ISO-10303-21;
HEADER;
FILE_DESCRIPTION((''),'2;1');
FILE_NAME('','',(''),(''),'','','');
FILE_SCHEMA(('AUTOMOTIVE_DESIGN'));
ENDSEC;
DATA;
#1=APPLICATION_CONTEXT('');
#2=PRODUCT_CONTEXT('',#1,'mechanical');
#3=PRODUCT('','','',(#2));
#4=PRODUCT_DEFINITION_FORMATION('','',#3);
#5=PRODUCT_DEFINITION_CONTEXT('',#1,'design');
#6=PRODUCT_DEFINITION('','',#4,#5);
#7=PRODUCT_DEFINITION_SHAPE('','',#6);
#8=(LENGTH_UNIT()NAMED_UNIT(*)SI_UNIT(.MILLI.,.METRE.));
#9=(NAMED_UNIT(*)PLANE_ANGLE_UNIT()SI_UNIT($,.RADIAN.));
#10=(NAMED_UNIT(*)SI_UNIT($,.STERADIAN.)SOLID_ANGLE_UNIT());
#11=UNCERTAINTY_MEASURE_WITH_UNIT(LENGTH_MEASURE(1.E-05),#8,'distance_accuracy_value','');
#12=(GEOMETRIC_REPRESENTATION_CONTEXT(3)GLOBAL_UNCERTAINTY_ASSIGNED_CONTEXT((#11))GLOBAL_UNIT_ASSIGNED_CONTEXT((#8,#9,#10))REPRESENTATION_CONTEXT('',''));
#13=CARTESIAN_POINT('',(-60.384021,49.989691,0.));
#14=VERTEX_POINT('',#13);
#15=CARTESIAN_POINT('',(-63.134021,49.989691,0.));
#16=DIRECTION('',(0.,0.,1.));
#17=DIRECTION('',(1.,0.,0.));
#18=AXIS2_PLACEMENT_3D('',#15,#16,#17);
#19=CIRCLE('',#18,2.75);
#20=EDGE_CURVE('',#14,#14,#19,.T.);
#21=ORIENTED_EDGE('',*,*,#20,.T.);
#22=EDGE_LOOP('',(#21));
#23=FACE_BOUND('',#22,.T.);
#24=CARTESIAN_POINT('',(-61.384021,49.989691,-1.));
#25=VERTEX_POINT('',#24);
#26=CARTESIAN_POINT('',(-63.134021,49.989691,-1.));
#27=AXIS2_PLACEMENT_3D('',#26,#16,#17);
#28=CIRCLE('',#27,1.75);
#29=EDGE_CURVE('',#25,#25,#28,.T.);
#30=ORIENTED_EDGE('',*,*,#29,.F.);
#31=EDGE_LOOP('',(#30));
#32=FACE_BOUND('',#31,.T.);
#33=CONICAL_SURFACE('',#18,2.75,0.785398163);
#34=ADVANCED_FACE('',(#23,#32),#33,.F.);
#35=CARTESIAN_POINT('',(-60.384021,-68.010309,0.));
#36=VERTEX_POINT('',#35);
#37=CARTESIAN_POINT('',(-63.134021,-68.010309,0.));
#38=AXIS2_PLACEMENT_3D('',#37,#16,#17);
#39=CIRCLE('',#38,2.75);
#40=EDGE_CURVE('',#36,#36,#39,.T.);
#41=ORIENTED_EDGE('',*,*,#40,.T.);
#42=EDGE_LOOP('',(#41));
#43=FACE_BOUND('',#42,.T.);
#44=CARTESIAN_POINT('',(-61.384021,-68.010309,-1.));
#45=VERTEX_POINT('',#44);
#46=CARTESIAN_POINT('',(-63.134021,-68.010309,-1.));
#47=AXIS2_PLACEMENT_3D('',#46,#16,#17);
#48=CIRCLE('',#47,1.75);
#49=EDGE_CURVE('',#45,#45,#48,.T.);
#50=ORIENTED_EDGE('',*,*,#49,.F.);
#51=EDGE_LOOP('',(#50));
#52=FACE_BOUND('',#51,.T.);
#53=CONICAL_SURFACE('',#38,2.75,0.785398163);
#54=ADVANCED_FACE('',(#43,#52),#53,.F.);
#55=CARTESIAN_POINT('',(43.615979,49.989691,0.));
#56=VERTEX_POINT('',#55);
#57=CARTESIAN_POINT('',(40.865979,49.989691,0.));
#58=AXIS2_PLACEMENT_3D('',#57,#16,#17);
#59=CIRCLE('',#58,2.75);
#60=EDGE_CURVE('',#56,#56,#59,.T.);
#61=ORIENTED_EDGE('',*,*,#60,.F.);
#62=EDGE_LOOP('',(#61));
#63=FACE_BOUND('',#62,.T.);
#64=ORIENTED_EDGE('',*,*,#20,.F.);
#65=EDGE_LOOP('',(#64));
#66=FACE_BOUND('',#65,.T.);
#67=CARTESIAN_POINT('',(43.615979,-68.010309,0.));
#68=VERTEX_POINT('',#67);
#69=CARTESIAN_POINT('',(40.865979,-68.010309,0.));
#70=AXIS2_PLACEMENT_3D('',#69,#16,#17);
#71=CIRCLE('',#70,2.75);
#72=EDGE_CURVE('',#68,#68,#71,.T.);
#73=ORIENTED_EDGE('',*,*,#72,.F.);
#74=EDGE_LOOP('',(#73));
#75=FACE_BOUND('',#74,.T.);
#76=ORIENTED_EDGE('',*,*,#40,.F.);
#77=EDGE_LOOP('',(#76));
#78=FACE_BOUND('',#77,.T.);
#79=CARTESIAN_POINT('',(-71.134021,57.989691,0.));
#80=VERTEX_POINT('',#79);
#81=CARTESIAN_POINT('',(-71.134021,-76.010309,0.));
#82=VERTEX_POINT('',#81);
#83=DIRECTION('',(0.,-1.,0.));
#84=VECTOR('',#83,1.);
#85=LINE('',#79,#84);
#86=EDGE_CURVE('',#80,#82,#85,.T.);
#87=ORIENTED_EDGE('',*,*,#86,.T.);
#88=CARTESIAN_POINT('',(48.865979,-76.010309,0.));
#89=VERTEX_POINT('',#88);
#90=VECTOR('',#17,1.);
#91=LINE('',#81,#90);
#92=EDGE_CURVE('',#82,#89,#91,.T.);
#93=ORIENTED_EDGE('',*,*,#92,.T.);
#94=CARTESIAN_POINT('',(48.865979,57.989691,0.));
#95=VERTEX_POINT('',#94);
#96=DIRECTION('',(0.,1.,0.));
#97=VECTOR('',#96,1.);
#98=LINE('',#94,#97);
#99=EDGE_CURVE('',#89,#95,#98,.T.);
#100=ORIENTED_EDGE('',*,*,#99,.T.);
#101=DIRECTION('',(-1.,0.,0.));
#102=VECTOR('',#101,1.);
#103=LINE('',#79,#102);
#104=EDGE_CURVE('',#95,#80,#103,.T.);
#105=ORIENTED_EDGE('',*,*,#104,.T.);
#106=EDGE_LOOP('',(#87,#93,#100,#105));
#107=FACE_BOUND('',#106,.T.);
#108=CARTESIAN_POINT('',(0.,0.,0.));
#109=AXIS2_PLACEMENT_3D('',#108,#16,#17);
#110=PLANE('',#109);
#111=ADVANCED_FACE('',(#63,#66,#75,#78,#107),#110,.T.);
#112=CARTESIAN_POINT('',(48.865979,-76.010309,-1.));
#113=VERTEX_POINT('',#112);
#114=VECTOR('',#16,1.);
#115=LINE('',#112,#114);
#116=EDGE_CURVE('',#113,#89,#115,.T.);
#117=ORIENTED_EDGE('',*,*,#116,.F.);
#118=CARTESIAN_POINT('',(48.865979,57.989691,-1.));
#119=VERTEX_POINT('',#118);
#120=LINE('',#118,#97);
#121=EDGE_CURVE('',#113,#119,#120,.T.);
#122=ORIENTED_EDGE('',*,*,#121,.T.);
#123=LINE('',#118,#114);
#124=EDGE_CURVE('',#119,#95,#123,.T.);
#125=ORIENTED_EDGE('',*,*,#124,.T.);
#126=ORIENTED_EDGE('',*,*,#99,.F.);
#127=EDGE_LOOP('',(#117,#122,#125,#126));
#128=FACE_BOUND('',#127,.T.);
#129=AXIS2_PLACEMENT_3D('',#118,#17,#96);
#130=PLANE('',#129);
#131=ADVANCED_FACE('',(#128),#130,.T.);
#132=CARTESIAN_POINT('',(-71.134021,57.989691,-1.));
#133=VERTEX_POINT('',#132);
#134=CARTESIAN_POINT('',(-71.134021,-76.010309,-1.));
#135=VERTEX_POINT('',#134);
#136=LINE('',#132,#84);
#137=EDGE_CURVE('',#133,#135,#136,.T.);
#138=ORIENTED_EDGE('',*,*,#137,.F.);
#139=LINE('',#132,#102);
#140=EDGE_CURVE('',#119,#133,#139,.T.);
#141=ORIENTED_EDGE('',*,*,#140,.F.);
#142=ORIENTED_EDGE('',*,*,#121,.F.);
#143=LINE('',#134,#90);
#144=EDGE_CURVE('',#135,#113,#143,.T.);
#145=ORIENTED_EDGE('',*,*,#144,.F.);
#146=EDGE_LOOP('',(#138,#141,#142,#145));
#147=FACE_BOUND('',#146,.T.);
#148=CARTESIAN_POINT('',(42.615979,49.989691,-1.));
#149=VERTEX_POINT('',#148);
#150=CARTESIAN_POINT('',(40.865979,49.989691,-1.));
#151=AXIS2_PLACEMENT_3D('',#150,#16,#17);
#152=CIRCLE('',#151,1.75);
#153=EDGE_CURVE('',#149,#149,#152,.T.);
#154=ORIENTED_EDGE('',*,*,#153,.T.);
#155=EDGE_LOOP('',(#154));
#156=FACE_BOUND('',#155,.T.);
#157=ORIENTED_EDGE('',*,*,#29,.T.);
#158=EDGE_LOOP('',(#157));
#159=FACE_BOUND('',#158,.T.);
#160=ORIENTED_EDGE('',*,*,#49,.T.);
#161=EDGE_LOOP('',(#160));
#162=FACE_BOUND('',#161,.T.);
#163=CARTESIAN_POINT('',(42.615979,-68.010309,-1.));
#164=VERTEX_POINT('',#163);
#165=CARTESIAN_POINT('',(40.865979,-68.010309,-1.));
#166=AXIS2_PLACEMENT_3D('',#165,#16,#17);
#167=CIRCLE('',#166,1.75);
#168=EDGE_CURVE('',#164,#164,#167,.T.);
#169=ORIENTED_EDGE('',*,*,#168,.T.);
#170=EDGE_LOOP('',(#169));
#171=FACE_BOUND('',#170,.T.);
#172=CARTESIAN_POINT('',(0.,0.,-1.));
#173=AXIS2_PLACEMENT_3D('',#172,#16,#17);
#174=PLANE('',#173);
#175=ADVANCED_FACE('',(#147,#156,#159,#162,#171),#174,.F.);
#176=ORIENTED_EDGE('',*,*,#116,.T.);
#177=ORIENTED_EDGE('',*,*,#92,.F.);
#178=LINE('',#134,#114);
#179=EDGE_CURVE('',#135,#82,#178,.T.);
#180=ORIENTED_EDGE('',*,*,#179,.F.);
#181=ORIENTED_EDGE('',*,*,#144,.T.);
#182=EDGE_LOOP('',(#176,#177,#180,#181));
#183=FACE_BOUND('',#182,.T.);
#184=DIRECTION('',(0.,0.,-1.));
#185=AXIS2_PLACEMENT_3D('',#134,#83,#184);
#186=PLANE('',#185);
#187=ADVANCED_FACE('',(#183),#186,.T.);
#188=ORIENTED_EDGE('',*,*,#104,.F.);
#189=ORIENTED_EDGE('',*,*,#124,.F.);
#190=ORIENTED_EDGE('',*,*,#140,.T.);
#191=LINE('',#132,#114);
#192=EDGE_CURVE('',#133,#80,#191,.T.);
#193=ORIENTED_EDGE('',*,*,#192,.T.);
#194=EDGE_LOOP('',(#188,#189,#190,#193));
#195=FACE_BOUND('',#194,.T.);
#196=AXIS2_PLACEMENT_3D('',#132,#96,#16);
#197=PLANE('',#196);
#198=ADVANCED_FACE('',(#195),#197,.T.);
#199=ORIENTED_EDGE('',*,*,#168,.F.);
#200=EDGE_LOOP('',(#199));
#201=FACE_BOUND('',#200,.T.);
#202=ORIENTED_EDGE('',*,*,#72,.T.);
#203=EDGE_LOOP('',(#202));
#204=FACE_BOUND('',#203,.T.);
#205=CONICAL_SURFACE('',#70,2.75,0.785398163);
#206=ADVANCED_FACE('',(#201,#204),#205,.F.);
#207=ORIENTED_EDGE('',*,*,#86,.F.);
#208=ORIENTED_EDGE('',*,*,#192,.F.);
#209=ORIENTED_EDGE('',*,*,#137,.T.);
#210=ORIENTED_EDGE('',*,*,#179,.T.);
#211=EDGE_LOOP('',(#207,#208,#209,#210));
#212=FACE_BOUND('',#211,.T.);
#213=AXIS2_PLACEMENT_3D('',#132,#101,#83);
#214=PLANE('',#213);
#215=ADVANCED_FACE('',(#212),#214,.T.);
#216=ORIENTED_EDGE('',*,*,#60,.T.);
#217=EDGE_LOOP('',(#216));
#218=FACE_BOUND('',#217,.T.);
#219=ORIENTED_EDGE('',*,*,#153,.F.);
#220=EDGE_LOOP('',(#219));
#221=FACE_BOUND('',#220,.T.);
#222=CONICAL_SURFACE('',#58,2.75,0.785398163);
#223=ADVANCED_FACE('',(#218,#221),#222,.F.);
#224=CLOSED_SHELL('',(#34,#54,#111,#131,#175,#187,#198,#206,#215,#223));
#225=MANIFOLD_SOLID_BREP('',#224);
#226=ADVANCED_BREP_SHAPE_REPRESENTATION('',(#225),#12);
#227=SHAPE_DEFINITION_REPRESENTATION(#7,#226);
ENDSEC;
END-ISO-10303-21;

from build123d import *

# Parameters (mm, degrees)
SKETCH1_W                                      = 120
SKETCH1_H                                      = 134
BOSS_EXTRUDE2_DEPTH                            = 1
CSK_FOR_M2_5_COUNTERSUNK_FLAT_HEAD1_AT_2_COUNT = 2
CSK_FOR_M2_5_COUNTERSUNK_FLAT_HEAD1_AT_2_PITCH = 118
CSK_FOR_M2_5_COUNTERSUNK_FLAT_HEAD1_AT_3_COUNT = 2
CSK_FOR_M2_5_COUNTERSUNK_FLAT_HEAD1_AT_3_PITCH = 157.289541928
CSK_FOR_M2_5_COUNTERSUNK_FLAT_HEAD1_AT_4_COUNT = 2
CSK_FOR_M2_5_COUNTERSUNK_FLAT_HEAD1_AT_4_PITCH = 104


with BuildPart() as part:
    # Sketch1 → Boss-Extrude2 (new body)
    with BuildSketch(Plane.XY):
        with Locations((-11.134020619, -9.010309278)):
            Rectangle(SKETCH1_W, SKETCH1_H)
    extrude(amount=-BOSS_EXTRUDE2_DEPTH)

    # Sketch4 → CSK for M2.5 Countersunk Flat Head1 (revolve, cut)
    with BuildSketch(Plane(origin=(-63.134020619, 49.989690722, 0), x_dir=(0, -1, 0), z_dir=(1, 0, 0))):
        Polygon((0, 0), (0, 1.871247898), (1.45, 1), (1.45, 1.3), (2.75, 0), align=None)
    csk_for_m2_5_countersunk_flat_head1 = revolve(axis=Axis((-63.134020619, 49.989690722, 6.35), (0, 0, -1)), mode=Mode.SUBTRACT)

    # CSK for M2.5 Countersunk Flat Head1 at 2: CSK for M2.5 Countersunk Flat Head1 ×2
    with Locations(*[(0, -i * CSK_FOR_M2_5_COUNTERSUNK_FLAT_HEAD1_AT_2_PITCH, 0) for i in range(1, CSK_FOR_M2_5_COUNTERSUNK_FLAT_HEAD1_AT_2_COUNT)]):
        add(csk_for_m2_5_countersunk_flat_head1, mode=Mode.SUBTRACT)

    # CSK for M2.5 Countersunk Flat Head1 at 3: CSK for M2.5 Countersunk Flat Head1 ×2
    with Locations(*[Vector(0.661200984662022, -0.7502088095203712, 0) * (i * CSK_FOR_M2_5_COUNTERSUNK_FLAT_HEAD1_AT_3_PITCH) for i in range(1, CSK_FOR_M2_5_COUNTERSUNK_FLAT_HEAD1_AT_3_COUNT)]):
        add(csk_for_m2_5_countersunk_flat_head1, mode=Mode.SUBTRACT)

    # CSK for M2.5 Countersunk Flat Head1 at 4: CSK for M2.5 Countersunk Flat Head1 ×2
    with Locations(*[(i * CSK_FOR_M2_5_COUNTERSUNK_FLAT_HEAD1_AT_4_PITCH, 0, 0) for i in range(1, CSK_FOR_M2_5_COUNTERSUNK_FLAT_HEAD1_AT_4_COUNT)]):
        add(csk_for_m2_5_countersunk_flat_head1, mode=Mode.SUBTRACT)


solid = part.part
